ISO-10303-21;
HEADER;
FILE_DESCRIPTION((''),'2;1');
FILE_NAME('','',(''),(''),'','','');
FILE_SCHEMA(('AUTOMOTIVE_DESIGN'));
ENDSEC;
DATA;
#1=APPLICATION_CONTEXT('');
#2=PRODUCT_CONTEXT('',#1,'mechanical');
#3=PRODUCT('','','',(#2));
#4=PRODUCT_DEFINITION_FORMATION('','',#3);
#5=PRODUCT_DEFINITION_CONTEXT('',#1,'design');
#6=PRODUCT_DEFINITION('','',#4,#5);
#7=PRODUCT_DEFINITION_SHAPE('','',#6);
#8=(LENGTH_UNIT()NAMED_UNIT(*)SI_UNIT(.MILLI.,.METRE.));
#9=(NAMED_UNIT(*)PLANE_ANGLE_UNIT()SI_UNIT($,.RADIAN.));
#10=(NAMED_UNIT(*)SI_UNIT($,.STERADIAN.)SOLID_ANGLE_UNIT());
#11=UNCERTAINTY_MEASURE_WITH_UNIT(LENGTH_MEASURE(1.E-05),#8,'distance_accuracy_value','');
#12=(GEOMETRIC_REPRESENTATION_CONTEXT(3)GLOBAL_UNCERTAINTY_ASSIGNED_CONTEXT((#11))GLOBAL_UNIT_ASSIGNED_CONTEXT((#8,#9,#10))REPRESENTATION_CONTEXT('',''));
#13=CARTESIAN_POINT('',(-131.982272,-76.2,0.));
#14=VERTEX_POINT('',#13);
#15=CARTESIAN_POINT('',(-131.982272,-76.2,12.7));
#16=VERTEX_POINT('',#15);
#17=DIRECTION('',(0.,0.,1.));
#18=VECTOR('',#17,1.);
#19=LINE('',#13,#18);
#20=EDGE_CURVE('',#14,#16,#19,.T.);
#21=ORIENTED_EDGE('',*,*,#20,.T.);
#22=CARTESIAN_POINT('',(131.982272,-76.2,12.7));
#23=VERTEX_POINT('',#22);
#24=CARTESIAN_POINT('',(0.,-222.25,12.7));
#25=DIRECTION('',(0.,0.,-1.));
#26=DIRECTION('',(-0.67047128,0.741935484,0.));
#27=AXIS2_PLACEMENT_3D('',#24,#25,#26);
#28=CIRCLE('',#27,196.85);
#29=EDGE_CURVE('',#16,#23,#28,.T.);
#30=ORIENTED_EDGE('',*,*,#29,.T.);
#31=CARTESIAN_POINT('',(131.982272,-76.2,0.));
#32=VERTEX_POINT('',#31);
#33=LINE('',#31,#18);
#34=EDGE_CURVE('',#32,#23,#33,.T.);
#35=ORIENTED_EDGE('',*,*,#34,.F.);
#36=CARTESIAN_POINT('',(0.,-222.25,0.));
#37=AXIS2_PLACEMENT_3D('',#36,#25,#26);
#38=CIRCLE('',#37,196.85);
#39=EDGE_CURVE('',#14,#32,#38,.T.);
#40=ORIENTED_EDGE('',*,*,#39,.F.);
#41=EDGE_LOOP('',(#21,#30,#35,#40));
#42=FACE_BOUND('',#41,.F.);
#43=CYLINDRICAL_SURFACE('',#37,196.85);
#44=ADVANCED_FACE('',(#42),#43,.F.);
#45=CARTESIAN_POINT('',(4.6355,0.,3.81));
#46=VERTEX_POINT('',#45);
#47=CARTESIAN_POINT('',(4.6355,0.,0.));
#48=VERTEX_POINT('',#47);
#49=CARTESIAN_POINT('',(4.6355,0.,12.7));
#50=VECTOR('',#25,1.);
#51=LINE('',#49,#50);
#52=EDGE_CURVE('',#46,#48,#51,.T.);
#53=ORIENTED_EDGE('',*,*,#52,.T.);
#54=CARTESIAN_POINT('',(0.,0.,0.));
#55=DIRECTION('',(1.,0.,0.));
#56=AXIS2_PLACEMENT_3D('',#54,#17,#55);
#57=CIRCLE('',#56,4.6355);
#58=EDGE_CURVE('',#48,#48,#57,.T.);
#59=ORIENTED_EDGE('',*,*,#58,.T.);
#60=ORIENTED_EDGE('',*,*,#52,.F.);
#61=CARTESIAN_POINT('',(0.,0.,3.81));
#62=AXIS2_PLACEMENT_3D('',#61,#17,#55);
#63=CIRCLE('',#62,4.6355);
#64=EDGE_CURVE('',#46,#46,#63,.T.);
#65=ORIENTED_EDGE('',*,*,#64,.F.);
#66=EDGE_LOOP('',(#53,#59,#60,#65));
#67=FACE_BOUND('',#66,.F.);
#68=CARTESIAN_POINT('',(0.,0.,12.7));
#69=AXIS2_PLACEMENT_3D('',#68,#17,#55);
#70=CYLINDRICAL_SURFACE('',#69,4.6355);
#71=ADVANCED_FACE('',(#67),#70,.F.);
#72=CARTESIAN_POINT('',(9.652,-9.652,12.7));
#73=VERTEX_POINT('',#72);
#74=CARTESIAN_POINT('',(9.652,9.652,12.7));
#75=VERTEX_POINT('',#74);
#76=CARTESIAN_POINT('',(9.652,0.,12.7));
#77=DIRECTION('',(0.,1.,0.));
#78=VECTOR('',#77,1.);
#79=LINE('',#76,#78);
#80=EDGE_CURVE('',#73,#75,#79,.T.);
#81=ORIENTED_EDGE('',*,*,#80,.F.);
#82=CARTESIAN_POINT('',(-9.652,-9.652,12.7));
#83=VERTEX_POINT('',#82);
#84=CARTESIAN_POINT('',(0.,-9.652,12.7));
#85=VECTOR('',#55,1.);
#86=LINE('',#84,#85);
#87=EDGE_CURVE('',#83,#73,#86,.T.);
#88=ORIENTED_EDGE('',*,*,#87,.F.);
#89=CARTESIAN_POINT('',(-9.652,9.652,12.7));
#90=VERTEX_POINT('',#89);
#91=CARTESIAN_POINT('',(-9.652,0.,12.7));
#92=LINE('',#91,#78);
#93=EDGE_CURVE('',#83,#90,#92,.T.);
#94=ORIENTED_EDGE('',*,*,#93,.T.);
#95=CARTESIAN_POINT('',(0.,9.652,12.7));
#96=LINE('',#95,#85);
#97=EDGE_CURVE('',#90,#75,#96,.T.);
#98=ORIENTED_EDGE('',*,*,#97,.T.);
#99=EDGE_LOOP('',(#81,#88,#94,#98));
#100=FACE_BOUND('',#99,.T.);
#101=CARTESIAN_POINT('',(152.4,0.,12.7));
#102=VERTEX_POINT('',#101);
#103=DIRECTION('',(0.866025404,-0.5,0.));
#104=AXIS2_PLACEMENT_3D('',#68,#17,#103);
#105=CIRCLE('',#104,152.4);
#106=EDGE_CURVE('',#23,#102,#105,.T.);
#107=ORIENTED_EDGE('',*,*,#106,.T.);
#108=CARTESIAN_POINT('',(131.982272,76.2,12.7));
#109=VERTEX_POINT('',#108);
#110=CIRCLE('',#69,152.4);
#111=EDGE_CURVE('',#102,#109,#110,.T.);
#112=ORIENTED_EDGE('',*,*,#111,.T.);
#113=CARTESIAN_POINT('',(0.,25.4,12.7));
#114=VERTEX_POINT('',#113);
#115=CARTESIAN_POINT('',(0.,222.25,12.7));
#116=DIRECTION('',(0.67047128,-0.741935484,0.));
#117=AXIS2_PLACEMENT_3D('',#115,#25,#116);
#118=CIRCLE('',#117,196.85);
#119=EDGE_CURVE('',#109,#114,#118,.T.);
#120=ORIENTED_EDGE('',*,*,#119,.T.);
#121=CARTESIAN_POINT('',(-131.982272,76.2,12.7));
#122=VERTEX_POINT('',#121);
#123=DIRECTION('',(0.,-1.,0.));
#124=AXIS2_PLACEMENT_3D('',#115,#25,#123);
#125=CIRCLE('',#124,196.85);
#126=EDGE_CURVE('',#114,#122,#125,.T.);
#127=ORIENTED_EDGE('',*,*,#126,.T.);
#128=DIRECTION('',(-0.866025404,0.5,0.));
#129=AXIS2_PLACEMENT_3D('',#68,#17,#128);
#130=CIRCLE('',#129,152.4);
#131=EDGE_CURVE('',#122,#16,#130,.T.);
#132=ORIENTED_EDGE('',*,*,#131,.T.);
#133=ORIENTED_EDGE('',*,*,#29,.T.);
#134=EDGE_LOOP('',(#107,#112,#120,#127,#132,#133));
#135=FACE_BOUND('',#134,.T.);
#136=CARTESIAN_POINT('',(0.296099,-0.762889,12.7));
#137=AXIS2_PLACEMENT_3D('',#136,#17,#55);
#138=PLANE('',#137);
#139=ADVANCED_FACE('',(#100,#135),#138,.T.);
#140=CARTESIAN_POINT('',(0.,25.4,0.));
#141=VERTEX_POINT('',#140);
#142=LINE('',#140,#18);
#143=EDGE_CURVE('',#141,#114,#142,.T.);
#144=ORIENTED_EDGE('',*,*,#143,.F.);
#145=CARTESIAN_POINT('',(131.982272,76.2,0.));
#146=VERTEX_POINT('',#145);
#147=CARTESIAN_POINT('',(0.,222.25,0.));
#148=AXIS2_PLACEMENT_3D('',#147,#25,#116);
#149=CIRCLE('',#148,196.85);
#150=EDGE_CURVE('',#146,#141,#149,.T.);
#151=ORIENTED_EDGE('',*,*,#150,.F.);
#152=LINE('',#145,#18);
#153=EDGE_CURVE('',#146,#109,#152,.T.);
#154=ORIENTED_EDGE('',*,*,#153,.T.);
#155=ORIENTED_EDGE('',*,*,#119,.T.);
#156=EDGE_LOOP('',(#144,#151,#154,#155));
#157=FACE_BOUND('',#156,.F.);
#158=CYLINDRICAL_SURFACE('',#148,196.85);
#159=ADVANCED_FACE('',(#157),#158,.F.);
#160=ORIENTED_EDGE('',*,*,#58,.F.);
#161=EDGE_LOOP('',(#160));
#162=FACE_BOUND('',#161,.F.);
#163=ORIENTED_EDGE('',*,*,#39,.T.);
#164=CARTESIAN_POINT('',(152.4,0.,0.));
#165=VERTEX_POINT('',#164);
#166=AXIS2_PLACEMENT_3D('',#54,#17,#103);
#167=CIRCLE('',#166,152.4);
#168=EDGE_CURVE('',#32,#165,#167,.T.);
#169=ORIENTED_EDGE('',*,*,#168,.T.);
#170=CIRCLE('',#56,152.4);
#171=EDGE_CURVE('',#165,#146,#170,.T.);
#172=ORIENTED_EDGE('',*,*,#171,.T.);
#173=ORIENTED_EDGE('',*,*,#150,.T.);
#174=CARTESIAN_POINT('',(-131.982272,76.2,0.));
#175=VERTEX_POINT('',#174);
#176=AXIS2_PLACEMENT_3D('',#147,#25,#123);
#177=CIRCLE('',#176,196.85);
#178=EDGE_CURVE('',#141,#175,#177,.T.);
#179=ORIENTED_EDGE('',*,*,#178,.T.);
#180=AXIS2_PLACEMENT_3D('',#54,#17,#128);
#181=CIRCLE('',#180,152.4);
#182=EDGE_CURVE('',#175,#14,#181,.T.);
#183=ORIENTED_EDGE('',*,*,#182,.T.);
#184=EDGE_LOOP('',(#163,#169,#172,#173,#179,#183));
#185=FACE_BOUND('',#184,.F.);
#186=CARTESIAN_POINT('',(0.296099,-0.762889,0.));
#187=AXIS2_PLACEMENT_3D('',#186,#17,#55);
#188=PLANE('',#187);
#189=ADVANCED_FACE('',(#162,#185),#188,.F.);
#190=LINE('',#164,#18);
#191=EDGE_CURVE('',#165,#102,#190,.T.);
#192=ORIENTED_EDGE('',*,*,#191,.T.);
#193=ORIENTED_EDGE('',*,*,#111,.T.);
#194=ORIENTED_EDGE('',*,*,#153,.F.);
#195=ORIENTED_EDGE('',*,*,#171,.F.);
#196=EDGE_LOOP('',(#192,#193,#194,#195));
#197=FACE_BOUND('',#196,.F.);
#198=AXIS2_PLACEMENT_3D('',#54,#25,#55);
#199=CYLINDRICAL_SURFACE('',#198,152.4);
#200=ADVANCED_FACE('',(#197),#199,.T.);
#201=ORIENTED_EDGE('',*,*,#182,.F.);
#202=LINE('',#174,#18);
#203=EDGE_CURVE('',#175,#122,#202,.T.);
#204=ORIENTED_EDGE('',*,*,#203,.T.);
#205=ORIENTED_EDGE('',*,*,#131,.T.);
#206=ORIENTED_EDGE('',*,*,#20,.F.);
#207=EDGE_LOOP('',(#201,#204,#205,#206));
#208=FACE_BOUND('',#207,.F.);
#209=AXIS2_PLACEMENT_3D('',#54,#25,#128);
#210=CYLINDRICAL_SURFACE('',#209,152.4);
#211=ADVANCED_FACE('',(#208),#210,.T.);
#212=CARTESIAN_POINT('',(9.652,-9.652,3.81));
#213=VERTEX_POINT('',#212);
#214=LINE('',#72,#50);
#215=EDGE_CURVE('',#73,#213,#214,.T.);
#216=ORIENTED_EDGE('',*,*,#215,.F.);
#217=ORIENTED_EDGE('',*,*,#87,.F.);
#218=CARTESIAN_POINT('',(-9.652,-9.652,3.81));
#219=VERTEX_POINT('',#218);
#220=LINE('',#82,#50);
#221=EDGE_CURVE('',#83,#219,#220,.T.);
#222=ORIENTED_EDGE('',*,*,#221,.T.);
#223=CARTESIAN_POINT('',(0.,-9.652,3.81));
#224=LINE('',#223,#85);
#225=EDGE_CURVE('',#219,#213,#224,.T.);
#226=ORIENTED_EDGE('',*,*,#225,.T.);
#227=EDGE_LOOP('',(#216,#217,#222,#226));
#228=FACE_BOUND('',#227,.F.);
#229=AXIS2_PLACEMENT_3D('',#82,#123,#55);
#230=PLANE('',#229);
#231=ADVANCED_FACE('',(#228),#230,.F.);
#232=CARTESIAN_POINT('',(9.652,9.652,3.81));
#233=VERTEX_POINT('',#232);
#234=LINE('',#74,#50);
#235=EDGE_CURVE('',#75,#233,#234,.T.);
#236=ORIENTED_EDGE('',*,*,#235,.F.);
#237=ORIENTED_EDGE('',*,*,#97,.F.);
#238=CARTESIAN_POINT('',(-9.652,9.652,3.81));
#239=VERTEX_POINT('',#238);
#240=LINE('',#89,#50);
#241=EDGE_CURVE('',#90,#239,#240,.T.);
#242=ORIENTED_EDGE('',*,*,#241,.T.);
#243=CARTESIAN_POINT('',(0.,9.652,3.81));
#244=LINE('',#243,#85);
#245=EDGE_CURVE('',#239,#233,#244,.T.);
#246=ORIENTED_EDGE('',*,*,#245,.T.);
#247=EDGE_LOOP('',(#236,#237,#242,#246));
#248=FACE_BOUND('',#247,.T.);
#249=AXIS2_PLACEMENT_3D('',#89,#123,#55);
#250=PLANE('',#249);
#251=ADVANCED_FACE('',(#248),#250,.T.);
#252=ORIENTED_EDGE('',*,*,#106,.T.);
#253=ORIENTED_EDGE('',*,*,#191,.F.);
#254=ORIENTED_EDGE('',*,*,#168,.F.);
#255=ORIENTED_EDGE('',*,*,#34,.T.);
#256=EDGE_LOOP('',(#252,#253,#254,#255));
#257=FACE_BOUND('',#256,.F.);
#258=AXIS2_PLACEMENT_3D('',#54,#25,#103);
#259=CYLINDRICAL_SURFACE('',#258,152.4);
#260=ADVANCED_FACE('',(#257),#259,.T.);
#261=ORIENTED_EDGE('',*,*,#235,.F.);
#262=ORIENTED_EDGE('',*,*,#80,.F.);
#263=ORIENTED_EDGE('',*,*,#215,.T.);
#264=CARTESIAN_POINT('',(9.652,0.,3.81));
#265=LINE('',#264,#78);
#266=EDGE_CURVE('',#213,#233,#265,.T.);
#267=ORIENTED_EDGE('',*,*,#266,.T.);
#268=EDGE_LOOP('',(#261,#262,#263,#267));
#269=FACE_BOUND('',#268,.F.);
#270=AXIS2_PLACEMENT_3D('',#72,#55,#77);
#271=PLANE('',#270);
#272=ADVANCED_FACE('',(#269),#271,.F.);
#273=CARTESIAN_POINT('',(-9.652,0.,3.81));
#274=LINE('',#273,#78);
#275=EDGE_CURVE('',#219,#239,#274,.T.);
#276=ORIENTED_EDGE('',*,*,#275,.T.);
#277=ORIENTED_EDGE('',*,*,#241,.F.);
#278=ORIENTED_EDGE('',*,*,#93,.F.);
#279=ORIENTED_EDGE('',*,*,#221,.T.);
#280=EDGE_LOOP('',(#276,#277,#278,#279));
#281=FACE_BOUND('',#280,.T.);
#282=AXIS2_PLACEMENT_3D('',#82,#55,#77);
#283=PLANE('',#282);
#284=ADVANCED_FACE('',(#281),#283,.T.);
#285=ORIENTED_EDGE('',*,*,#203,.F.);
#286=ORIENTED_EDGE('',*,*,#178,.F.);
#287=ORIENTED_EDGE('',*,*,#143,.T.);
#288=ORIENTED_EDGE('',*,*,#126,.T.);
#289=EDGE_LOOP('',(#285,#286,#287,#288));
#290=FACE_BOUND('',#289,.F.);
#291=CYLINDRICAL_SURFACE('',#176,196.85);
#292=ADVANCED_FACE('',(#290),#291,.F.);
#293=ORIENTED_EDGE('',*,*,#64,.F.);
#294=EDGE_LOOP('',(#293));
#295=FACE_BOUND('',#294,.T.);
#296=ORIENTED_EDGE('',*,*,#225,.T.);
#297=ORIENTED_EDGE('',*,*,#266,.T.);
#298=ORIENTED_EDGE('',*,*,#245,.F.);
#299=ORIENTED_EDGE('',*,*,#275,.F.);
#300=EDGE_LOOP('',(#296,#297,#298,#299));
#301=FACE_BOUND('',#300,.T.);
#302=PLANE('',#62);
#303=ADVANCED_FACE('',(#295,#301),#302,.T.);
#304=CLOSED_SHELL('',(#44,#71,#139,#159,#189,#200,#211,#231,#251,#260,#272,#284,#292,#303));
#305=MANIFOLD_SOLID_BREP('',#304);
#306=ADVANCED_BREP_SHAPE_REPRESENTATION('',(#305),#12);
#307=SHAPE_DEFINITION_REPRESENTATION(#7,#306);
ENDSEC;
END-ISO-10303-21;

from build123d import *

# Parameters (mm, degrees)
F1_DEPTH = 12.7
F2_R     = 4.6355
F3_DEPTH = 12.7
F4_W     = 19.304
F4_H     = 19.304
F4_R     = 4.6355
F5_DEPTH = 8.89


with BuildPart() as f1:
    # F0 (on Top) → F1 (new body)
    with BuildSketch(Plane.XY):
        with BuildLine():
            ThreePointArc((131.9822715367, -76.2), (147.2070959265, -39.4440224736), (152.4, 0))
            ThreePointArc((152.4, 0), (147.2070959265, 39.4440224736), (131.9822715368, 76.2))
            ThreePointArc((131.9822715367, 76.2), (70.7106074079, 38.5384530031), (0, 25.4))
            ThreePointArc((0, 25.4), (-70.7106074079, 38.5384530031), (-131.9822715367, 76.2))
            ThreePointArc((-131.9822715368, 76.2), (-152.4, 0), (-131.9822715367, -76.2))
            ThreePointArc((-131.9822715367, -76.2), (0, -25.4), (131.9822715367, -76.2))
        make_face()
    extrude(amount=F1_DEPTH)

    # F2 (on face) → F3 (cut, through all)
    with BuildSketch(Plane.XY.offset(12.7)):
        Circle(F2_R)
    extrude(amount=-F3_DEPTH, mode=Mode.SUBTRACT)

    # F4 (on face) → F5 (cut)
    with BuildSketch(Plane.XY.offset(12.7)):
        Rectangle(F4_W, F4_H)
        Circle(F4_R, mode=Mode.SUBTRACT)
    extrude(amount=-F5_DEPTH, mode=Mode.SUBTRACT)


solid = f1.part
